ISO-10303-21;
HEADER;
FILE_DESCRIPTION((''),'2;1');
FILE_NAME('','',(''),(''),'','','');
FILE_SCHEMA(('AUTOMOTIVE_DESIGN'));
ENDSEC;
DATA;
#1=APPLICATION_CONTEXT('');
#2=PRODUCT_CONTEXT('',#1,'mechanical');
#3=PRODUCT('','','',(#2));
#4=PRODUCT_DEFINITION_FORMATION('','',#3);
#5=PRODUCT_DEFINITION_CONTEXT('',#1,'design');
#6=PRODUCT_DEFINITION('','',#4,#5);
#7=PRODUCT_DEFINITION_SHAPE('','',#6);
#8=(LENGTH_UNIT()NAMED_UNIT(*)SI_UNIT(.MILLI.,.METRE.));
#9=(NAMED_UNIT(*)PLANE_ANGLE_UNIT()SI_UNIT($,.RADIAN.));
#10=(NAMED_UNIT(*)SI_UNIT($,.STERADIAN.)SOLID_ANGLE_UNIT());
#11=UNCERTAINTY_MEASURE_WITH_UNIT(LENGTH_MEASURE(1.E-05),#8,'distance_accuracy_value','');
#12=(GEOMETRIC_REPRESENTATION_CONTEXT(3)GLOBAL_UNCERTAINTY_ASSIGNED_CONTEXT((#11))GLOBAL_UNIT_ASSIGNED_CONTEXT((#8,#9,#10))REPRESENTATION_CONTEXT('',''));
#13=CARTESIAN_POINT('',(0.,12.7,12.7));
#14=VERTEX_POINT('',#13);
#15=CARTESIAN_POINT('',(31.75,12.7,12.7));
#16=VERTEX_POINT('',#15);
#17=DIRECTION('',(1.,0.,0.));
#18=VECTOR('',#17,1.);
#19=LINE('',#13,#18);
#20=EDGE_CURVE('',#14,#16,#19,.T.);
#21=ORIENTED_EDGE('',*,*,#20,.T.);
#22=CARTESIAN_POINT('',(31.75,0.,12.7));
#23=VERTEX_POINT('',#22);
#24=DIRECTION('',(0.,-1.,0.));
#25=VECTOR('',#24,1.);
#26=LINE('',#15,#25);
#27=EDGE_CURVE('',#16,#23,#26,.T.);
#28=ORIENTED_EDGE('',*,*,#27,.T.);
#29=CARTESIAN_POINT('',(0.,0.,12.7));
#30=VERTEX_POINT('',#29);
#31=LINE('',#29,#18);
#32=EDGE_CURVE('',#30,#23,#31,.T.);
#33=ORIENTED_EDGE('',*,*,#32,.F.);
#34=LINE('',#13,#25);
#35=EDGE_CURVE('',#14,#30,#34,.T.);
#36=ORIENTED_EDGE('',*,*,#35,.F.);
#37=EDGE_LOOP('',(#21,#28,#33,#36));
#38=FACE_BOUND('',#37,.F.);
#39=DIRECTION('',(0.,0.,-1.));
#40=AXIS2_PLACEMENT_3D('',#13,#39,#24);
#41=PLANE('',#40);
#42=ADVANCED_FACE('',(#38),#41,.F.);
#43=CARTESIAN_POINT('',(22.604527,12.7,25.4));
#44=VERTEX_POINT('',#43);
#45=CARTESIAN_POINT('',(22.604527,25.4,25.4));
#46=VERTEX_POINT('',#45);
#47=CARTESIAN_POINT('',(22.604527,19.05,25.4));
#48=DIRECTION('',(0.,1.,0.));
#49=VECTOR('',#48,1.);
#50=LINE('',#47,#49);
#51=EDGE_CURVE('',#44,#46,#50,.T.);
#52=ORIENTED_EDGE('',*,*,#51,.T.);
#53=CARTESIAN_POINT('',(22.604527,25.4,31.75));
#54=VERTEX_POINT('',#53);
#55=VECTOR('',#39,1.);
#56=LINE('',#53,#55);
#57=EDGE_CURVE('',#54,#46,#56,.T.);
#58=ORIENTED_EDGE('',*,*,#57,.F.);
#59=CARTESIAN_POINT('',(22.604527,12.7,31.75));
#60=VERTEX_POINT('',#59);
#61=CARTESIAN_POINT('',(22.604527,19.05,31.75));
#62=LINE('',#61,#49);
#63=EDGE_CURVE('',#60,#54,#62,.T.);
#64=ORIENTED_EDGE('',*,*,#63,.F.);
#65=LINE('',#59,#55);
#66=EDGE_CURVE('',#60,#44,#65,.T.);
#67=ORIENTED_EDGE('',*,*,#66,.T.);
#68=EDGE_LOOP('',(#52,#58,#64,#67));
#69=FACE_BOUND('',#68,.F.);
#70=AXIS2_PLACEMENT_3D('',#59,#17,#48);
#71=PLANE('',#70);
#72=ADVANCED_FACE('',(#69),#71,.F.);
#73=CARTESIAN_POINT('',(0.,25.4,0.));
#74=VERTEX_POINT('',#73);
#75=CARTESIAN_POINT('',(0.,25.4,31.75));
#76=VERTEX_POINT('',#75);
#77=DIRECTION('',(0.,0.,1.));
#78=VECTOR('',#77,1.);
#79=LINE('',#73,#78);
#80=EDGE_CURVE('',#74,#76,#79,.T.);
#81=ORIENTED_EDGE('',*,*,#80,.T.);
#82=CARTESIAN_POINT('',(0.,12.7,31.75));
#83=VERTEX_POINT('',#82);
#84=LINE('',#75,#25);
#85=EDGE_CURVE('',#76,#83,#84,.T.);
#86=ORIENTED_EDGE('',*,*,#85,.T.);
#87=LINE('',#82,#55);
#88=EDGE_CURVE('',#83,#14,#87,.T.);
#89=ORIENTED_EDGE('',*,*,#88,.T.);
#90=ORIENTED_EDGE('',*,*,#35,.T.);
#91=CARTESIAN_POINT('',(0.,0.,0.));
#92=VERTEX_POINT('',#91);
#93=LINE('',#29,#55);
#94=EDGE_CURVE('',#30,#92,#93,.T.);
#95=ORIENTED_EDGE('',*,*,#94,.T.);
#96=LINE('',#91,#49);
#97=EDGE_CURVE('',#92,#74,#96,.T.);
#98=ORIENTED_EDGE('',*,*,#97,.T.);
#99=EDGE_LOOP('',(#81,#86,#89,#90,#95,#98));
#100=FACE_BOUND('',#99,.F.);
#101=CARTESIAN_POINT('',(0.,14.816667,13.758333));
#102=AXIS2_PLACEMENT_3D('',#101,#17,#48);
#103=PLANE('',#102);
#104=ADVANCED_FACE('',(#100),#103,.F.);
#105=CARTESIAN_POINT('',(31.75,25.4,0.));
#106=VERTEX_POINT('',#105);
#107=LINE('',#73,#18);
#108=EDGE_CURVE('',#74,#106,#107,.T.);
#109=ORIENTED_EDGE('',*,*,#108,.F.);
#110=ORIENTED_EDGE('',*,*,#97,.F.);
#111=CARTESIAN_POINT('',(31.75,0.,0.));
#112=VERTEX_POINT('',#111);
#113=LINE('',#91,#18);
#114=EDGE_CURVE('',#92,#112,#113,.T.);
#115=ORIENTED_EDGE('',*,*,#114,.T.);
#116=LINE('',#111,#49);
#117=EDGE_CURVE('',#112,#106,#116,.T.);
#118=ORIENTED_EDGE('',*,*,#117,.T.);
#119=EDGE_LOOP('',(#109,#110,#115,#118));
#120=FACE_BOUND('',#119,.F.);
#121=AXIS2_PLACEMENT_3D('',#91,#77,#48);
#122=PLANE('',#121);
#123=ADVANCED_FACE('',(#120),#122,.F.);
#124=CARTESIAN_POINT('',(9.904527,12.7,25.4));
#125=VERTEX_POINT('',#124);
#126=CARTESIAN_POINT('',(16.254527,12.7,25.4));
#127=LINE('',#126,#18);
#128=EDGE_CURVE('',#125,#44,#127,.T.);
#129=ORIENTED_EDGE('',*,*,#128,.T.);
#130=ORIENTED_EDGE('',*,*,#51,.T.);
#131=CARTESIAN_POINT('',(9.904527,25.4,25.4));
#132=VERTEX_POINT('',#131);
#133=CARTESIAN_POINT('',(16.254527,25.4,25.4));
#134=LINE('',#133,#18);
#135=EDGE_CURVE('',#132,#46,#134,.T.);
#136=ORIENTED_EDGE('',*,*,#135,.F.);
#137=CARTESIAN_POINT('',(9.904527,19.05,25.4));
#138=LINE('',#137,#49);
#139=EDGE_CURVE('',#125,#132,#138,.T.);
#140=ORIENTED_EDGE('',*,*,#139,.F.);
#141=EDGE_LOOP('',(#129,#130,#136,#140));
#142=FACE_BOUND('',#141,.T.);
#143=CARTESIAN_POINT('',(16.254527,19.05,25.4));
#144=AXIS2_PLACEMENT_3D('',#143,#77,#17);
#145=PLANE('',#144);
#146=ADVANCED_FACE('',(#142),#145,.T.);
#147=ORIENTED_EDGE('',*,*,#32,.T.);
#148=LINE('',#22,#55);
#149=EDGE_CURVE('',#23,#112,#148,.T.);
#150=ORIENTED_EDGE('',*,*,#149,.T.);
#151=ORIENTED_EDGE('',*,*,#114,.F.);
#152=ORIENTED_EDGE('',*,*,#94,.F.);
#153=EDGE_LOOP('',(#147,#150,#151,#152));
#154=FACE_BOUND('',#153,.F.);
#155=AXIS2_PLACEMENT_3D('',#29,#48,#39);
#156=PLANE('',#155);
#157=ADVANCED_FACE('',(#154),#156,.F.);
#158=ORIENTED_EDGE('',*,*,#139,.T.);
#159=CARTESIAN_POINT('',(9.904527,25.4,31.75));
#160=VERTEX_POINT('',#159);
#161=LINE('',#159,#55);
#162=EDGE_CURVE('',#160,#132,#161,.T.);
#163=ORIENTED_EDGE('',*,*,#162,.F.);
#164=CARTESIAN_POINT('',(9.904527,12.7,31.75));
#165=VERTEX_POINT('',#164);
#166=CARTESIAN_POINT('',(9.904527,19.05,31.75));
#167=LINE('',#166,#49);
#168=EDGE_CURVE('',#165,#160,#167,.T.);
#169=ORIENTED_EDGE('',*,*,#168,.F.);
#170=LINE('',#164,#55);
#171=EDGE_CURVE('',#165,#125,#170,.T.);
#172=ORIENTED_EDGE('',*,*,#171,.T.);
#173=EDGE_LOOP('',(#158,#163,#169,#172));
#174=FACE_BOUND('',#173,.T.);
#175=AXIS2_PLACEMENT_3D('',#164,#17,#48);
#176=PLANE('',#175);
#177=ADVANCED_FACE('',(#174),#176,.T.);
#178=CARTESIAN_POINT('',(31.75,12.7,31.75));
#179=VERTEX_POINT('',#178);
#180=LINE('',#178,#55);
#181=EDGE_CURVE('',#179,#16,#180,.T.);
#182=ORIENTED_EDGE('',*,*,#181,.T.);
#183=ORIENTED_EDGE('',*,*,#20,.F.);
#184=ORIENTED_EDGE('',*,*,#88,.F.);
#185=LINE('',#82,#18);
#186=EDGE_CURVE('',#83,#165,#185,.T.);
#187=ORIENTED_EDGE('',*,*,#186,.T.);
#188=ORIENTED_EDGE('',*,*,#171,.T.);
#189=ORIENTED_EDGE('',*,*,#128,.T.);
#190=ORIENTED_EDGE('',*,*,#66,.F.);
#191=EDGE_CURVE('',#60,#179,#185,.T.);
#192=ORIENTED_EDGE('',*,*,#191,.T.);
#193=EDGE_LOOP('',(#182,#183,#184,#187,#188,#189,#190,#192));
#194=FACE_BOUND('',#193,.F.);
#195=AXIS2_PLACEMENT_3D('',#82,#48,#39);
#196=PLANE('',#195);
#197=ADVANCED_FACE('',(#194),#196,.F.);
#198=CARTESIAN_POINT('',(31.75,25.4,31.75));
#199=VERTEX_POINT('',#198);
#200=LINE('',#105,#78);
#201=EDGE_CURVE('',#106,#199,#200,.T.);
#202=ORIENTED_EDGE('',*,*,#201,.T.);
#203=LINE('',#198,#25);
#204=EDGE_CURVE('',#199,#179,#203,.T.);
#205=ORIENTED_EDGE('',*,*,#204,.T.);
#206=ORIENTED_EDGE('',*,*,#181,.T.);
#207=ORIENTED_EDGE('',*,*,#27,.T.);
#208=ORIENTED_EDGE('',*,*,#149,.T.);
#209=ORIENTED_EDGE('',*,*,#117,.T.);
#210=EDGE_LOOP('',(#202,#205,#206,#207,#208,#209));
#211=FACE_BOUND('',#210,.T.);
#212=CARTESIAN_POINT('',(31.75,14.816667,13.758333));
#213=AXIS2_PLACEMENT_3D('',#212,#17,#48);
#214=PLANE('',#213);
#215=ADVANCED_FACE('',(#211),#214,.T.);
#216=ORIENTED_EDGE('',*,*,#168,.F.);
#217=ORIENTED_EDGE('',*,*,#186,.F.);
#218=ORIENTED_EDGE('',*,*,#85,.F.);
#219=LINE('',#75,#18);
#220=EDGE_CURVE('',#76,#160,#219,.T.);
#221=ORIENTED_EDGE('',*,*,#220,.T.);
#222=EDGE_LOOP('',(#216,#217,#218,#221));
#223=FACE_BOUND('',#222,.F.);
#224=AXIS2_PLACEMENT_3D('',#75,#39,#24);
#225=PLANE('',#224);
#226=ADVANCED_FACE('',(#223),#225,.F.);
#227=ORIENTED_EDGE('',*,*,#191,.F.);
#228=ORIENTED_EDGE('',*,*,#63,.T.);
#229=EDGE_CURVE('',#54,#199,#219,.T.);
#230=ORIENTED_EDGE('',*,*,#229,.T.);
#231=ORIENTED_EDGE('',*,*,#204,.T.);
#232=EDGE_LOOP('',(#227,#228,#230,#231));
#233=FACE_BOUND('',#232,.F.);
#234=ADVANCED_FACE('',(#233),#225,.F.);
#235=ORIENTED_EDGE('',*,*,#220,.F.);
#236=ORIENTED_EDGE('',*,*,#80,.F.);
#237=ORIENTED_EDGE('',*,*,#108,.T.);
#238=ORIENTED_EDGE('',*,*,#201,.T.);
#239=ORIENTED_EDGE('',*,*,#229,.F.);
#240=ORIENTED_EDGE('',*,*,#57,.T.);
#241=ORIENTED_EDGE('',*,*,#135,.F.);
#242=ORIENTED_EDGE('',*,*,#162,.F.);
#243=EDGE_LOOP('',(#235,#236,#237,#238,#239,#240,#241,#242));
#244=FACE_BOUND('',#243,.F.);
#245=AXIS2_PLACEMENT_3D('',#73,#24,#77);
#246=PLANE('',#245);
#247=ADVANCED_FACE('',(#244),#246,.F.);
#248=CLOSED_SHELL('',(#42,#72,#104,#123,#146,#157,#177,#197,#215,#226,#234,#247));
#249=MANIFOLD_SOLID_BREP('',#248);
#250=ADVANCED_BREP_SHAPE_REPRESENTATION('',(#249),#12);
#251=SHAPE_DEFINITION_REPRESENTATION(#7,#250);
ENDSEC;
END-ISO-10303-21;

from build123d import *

# Parameters (mm, degrees)
F1_DEPTH = 31.75
F2_W     = 12.7
F2_H     = 12.7
F3_DEPTH = 6.35


with BuildPart() as f1:
    # F0 (on Right) → F1 (new body)
    with BuildSketch(Plane.YZ):
        Polygon((0, 2.995282), (0, 0), (25.4, 0), (25.4, 31.75), (12.7, 31.75), (12.7, 12.7), (0, 12.7), align=None)
    extrude(amount=F1_DEPTH)

    # F2 (on face) → F3 (cut)
    with BuildSketch(Plane.XY.offset(31.75)):
        with Locations((16.254527, 19.05)):
            Rectangle(F2_W, F2_H)
    extrude(amount=-F3_DEPTH, mode=Mode.SUBTRACT)


solid = f1.part
